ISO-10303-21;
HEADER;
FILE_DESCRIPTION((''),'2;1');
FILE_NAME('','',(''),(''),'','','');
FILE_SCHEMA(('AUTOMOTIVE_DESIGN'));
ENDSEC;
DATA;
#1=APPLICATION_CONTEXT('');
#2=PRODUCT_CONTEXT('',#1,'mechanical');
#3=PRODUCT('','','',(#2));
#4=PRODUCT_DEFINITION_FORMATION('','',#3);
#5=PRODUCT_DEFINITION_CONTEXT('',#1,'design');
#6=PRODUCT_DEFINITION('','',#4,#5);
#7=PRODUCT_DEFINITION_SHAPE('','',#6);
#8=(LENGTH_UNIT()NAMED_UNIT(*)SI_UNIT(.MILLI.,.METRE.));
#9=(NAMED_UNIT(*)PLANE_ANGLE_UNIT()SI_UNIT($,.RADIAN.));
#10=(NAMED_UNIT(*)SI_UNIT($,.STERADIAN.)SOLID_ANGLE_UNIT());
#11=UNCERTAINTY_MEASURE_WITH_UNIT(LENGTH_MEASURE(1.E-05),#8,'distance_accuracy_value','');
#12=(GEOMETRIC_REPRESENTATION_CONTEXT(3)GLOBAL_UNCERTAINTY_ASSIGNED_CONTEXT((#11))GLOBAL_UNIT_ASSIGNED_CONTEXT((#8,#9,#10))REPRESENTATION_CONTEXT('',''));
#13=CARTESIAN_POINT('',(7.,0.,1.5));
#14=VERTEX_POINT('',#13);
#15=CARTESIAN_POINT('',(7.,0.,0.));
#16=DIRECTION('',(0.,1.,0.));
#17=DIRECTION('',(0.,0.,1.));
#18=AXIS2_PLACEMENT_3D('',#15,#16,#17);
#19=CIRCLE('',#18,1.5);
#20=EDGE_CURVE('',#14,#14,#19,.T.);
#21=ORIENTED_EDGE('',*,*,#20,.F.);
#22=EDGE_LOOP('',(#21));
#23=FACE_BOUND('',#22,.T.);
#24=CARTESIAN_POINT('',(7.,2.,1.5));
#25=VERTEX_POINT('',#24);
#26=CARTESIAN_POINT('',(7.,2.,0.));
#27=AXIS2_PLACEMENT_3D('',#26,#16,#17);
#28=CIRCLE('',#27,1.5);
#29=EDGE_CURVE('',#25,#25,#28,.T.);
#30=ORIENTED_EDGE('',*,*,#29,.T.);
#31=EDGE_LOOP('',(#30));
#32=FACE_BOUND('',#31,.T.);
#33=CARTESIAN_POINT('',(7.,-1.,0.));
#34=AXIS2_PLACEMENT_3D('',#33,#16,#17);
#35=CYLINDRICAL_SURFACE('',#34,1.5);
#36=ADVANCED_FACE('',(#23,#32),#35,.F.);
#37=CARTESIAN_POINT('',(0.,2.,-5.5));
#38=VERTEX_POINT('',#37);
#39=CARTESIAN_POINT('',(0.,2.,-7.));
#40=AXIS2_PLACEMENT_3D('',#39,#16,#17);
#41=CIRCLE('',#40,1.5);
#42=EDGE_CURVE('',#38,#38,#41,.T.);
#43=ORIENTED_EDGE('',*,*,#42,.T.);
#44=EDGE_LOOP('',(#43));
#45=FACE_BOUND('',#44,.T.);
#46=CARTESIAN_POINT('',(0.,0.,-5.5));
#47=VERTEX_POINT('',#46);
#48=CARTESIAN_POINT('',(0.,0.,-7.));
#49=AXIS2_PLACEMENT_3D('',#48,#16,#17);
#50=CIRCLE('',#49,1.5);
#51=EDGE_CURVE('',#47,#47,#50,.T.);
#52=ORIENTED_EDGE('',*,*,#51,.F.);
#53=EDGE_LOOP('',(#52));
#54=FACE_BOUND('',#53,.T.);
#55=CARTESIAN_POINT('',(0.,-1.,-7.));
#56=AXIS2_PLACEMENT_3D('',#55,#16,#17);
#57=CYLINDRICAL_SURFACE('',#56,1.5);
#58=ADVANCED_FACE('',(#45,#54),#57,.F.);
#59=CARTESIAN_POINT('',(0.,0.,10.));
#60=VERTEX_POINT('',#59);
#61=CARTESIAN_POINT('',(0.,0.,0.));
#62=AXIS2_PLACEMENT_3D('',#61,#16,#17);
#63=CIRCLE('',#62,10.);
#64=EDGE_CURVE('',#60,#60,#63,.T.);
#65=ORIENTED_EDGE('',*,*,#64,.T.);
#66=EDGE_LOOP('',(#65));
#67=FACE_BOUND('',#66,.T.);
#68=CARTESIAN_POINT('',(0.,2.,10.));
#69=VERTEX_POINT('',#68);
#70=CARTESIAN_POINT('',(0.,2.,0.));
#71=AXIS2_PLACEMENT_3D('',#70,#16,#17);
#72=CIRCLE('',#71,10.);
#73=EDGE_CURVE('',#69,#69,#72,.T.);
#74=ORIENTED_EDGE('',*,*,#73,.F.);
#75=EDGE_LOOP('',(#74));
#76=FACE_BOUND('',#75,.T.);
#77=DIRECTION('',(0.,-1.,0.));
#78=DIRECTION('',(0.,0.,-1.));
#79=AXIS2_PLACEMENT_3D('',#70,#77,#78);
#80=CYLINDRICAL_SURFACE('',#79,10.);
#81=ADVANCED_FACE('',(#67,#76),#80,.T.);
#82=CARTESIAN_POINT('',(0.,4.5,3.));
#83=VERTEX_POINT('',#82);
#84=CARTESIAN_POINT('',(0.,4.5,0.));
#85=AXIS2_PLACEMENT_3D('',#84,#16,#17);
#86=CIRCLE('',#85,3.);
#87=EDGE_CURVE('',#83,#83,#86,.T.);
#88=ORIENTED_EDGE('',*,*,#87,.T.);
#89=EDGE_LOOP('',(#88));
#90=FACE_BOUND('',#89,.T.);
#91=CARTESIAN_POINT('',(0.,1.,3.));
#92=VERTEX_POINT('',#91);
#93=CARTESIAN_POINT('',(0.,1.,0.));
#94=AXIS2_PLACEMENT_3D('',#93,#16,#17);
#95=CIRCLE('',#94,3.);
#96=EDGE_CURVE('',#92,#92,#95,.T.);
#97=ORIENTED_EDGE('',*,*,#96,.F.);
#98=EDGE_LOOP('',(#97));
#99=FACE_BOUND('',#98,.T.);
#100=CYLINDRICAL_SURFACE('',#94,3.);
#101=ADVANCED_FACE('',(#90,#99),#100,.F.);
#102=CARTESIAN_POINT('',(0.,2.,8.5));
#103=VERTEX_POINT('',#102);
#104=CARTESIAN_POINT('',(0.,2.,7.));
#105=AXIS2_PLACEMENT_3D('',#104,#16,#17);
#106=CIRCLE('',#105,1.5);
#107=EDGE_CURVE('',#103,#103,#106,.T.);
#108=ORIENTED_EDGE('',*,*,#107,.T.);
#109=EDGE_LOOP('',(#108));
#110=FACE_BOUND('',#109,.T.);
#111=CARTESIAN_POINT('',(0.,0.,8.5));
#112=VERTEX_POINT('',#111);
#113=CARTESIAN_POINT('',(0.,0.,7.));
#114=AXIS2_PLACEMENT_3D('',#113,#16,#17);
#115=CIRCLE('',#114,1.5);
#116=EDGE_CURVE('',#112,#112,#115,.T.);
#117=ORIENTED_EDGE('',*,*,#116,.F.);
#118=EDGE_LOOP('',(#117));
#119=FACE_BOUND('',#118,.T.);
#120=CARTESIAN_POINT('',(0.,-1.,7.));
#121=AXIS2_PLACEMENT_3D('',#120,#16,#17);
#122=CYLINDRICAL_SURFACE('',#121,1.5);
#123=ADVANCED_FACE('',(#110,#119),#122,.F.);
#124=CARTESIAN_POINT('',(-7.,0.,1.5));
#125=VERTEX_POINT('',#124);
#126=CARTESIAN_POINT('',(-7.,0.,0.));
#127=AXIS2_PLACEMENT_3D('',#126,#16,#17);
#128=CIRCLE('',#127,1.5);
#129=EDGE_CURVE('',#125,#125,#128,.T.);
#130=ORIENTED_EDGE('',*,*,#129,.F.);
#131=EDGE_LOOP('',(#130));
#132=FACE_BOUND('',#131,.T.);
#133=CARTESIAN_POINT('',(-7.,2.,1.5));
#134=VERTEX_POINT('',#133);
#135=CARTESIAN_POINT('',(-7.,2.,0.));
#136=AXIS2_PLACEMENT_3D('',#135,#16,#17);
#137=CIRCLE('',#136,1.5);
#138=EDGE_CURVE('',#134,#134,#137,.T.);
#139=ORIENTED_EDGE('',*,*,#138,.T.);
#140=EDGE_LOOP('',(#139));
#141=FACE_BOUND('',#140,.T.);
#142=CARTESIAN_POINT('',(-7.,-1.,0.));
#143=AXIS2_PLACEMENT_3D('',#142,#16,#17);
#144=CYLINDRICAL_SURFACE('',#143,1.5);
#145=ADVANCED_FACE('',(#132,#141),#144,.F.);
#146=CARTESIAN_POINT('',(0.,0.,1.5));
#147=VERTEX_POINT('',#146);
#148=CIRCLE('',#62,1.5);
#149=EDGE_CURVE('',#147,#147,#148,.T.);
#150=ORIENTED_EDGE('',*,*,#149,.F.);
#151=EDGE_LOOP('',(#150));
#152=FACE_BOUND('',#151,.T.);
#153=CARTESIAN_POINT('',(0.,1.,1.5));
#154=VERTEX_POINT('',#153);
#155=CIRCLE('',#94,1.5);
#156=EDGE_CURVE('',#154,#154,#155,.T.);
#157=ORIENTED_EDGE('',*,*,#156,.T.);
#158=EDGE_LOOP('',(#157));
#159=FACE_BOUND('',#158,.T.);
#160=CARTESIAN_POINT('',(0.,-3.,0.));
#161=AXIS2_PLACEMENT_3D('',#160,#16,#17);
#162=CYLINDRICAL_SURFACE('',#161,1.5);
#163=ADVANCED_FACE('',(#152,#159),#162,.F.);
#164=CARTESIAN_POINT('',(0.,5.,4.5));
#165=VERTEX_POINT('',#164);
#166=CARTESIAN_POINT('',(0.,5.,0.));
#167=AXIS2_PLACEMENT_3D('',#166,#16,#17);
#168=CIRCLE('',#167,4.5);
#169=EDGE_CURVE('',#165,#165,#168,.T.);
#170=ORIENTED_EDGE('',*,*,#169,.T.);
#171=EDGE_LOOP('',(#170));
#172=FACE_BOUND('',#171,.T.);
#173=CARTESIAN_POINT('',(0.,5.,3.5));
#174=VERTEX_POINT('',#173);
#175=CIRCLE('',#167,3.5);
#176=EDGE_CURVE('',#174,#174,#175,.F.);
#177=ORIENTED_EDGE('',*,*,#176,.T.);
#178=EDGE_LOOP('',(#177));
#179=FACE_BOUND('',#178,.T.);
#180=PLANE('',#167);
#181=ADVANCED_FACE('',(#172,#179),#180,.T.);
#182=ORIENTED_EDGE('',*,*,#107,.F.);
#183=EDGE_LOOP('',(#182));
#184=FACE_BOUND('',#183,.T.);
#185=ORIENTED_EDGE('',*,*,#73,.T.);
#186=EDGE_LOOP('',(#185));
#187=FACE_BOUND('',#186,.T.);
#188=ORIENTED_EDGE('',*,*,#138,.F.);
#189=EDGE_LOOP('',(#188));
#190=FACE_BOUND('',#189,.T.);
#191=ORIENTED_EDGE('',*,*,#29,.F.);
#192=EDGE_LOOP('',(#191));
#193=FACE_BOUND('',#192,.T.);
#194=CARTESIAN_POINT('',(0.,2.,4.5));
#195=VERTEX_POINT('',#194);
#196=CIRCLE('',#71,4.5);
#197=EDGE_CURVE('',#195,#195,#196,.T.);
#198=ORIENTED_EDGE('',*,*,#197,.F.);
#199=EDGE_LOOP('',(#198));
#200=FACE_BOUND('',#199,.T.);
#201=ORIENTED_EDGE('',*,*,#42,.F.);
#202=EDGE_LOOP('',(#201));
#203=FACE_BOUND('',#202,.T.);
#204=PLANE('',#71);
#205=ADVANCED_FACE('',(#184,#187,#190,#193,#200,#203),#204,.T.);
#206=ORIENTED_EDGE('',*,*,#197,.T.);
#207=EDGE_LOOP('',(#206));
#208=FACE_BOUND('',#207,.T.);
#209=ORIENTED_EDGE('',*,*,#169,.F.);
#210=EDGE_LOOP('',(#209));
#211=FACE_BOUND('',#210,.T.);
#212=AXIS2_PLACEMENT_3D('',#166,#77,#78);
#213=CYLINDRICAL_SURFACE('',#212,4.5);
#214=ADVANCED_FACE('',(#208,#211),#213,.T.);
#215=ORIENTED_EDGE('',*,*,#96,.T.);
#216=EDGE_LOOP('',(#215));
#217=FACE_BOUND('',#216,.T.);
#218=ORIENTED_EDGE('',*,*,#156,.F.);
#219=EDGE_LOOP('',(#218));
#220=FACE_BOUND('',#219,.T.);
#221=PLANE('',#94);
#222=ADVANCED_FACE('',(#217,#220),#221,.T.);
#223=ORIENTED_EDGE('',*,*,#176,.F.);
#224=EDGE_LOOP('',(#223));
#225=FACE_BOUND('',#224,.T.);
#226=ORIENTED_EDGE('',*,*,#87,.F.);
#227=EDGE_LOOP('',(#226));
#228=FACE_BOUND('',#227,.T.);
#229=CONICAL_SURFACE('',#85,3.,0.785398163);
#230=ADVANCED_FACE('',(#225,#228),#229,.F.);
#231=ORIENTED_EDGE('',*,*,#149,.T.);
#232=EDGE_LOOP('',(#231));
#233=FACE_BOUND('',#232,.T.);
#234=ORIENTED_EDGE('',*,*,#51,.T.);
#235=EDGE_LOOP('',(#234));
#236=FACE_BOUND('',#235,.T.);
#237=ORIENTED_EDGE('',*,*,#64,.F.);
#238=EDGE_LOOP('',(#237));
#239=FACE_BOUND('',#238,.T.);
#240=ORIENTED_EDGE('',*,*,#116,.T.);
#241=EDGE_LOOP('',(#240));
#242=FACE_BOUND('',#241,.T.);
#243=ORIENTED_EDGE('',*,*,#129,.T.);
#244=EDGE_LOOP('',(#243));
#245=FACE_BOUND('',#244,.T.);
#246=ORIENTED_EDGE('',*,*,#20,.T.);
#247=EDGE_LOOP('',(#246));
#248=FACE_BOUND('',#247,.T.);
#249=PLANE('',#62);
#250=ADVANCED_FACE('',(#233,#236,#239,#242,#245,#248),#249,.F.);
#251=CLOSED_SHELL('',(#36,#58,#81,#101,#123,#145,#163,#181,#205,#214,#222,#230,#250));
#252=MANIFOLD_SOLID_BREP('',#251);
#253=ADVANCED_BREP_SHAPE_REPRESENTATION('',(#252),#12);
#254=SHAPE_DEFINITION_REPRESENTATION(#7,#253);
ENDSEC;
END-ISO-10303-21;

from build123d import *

# Parameters (mm, degrees)
SKETCH_1_R          = 10
EXTRUDE_1_DEPTH     = 2
SKETCH_2_R          = 4.5
EXTRUDE_2_DEPTH     = 3
SKETCH_3_R          = 1.5
CUT_EXTRUDE_1_DEPTH = 3
SKETCH_4_R          = 3
CUT_EXTRUDE_2_DEPTH = 4
SKETCH_5_R          = 1.5
CUT_EXTRUDE_3_DEPTH = 4
CHAMFER_2_SIZE      = 0.5


with BuildPart() as part:
    # 草图1 → 凸台-拉伸1 (new body)
    with BuildSketch(Plane(origin=(0, 0, 0), x_dir=(1, 0, 0), z_dir=(0, 1, 0))):
        with Locations(Location((0, 0, 0), (0, 0, 270))):
            Circle(SKETCH_1_R)
    extrude(amount=EXTRUDE_1_DEPTH)

    # 草图2 → 凸台-拉伸2 (add)
    with BuildSketch(Plane(origin=(0, 2, 0), x_dir=(1, 0, 0), z_dir=(0, 1, 0))):
        with Locations(Location((0, 0, 0), (0, 0, 270))):
            Circle(SKETCH_2_R)
    extrude(amount=EXTRUDE_2_DEPTH)

    # 草图3 → 切除-拉伸1 (cut)
    with BuildSketch(Plane(origin=(0, 2, 0), x_dir=(1, 0, 0), z_dir=(0, 1, 0))):
        with Locations(Location((-7, 0, 0), (0, 0, 270))):
            Circle(SKETCH_3_R)
        with Locations(Location((0, 7, 0), (0, 0, 270))):
            Circle(SKETCH_3_R)
        with Locations(Location((7, 0, 0), (0, 0, 270))):
            Circle(SKETCH_3_R)
        with Locations(Location((0, -7, 0), (0, 0, 270))):
            Circle(SKETCH_3_R)
    extrude(amount=-CUT_EXTRUDE_1_DEPTH, mode=Mode.SUBTRACT)

    # 草图4 → 切除-拉伸2 (cut)
    with BuildSketch(Plane(origin=(0, 5, 0), x_dir=(1, 0, 0), z_dir=(0, 1, 0))):
        with Locations(Location((0, 0, 0), (0, 0, 270))):
            Circle(SKETCH_4_R)
    extrude(amount=-CUT_EXTRUDE_2_DEPTH, mode=Mode.SUBTRACT)

    # 草图5 → 切除-拉伸3 (cut)
    with BuildSketch(Plane(origin=(0, 1, 0), x_dir=(1, 0, 0), z_dir=(0, 1, 0))):
        with Locations(Location((0, 0, 0), (0, 0, 270))):
            Circle(SKETCH_5_R)
    extrude(amount=-CUT_EXTRUDE_3_DEPTH, mode=Mode.SUBTRACT)

    # 倒角2
    chamfer_2_edges = [part.edges().sort_by_distance(p)[0] for p in [
        (0, 5, -3),
    ]]
    chamfer(chamfer_2_edges, length=CHAMFER_2_SIZE)


solid = part.part
